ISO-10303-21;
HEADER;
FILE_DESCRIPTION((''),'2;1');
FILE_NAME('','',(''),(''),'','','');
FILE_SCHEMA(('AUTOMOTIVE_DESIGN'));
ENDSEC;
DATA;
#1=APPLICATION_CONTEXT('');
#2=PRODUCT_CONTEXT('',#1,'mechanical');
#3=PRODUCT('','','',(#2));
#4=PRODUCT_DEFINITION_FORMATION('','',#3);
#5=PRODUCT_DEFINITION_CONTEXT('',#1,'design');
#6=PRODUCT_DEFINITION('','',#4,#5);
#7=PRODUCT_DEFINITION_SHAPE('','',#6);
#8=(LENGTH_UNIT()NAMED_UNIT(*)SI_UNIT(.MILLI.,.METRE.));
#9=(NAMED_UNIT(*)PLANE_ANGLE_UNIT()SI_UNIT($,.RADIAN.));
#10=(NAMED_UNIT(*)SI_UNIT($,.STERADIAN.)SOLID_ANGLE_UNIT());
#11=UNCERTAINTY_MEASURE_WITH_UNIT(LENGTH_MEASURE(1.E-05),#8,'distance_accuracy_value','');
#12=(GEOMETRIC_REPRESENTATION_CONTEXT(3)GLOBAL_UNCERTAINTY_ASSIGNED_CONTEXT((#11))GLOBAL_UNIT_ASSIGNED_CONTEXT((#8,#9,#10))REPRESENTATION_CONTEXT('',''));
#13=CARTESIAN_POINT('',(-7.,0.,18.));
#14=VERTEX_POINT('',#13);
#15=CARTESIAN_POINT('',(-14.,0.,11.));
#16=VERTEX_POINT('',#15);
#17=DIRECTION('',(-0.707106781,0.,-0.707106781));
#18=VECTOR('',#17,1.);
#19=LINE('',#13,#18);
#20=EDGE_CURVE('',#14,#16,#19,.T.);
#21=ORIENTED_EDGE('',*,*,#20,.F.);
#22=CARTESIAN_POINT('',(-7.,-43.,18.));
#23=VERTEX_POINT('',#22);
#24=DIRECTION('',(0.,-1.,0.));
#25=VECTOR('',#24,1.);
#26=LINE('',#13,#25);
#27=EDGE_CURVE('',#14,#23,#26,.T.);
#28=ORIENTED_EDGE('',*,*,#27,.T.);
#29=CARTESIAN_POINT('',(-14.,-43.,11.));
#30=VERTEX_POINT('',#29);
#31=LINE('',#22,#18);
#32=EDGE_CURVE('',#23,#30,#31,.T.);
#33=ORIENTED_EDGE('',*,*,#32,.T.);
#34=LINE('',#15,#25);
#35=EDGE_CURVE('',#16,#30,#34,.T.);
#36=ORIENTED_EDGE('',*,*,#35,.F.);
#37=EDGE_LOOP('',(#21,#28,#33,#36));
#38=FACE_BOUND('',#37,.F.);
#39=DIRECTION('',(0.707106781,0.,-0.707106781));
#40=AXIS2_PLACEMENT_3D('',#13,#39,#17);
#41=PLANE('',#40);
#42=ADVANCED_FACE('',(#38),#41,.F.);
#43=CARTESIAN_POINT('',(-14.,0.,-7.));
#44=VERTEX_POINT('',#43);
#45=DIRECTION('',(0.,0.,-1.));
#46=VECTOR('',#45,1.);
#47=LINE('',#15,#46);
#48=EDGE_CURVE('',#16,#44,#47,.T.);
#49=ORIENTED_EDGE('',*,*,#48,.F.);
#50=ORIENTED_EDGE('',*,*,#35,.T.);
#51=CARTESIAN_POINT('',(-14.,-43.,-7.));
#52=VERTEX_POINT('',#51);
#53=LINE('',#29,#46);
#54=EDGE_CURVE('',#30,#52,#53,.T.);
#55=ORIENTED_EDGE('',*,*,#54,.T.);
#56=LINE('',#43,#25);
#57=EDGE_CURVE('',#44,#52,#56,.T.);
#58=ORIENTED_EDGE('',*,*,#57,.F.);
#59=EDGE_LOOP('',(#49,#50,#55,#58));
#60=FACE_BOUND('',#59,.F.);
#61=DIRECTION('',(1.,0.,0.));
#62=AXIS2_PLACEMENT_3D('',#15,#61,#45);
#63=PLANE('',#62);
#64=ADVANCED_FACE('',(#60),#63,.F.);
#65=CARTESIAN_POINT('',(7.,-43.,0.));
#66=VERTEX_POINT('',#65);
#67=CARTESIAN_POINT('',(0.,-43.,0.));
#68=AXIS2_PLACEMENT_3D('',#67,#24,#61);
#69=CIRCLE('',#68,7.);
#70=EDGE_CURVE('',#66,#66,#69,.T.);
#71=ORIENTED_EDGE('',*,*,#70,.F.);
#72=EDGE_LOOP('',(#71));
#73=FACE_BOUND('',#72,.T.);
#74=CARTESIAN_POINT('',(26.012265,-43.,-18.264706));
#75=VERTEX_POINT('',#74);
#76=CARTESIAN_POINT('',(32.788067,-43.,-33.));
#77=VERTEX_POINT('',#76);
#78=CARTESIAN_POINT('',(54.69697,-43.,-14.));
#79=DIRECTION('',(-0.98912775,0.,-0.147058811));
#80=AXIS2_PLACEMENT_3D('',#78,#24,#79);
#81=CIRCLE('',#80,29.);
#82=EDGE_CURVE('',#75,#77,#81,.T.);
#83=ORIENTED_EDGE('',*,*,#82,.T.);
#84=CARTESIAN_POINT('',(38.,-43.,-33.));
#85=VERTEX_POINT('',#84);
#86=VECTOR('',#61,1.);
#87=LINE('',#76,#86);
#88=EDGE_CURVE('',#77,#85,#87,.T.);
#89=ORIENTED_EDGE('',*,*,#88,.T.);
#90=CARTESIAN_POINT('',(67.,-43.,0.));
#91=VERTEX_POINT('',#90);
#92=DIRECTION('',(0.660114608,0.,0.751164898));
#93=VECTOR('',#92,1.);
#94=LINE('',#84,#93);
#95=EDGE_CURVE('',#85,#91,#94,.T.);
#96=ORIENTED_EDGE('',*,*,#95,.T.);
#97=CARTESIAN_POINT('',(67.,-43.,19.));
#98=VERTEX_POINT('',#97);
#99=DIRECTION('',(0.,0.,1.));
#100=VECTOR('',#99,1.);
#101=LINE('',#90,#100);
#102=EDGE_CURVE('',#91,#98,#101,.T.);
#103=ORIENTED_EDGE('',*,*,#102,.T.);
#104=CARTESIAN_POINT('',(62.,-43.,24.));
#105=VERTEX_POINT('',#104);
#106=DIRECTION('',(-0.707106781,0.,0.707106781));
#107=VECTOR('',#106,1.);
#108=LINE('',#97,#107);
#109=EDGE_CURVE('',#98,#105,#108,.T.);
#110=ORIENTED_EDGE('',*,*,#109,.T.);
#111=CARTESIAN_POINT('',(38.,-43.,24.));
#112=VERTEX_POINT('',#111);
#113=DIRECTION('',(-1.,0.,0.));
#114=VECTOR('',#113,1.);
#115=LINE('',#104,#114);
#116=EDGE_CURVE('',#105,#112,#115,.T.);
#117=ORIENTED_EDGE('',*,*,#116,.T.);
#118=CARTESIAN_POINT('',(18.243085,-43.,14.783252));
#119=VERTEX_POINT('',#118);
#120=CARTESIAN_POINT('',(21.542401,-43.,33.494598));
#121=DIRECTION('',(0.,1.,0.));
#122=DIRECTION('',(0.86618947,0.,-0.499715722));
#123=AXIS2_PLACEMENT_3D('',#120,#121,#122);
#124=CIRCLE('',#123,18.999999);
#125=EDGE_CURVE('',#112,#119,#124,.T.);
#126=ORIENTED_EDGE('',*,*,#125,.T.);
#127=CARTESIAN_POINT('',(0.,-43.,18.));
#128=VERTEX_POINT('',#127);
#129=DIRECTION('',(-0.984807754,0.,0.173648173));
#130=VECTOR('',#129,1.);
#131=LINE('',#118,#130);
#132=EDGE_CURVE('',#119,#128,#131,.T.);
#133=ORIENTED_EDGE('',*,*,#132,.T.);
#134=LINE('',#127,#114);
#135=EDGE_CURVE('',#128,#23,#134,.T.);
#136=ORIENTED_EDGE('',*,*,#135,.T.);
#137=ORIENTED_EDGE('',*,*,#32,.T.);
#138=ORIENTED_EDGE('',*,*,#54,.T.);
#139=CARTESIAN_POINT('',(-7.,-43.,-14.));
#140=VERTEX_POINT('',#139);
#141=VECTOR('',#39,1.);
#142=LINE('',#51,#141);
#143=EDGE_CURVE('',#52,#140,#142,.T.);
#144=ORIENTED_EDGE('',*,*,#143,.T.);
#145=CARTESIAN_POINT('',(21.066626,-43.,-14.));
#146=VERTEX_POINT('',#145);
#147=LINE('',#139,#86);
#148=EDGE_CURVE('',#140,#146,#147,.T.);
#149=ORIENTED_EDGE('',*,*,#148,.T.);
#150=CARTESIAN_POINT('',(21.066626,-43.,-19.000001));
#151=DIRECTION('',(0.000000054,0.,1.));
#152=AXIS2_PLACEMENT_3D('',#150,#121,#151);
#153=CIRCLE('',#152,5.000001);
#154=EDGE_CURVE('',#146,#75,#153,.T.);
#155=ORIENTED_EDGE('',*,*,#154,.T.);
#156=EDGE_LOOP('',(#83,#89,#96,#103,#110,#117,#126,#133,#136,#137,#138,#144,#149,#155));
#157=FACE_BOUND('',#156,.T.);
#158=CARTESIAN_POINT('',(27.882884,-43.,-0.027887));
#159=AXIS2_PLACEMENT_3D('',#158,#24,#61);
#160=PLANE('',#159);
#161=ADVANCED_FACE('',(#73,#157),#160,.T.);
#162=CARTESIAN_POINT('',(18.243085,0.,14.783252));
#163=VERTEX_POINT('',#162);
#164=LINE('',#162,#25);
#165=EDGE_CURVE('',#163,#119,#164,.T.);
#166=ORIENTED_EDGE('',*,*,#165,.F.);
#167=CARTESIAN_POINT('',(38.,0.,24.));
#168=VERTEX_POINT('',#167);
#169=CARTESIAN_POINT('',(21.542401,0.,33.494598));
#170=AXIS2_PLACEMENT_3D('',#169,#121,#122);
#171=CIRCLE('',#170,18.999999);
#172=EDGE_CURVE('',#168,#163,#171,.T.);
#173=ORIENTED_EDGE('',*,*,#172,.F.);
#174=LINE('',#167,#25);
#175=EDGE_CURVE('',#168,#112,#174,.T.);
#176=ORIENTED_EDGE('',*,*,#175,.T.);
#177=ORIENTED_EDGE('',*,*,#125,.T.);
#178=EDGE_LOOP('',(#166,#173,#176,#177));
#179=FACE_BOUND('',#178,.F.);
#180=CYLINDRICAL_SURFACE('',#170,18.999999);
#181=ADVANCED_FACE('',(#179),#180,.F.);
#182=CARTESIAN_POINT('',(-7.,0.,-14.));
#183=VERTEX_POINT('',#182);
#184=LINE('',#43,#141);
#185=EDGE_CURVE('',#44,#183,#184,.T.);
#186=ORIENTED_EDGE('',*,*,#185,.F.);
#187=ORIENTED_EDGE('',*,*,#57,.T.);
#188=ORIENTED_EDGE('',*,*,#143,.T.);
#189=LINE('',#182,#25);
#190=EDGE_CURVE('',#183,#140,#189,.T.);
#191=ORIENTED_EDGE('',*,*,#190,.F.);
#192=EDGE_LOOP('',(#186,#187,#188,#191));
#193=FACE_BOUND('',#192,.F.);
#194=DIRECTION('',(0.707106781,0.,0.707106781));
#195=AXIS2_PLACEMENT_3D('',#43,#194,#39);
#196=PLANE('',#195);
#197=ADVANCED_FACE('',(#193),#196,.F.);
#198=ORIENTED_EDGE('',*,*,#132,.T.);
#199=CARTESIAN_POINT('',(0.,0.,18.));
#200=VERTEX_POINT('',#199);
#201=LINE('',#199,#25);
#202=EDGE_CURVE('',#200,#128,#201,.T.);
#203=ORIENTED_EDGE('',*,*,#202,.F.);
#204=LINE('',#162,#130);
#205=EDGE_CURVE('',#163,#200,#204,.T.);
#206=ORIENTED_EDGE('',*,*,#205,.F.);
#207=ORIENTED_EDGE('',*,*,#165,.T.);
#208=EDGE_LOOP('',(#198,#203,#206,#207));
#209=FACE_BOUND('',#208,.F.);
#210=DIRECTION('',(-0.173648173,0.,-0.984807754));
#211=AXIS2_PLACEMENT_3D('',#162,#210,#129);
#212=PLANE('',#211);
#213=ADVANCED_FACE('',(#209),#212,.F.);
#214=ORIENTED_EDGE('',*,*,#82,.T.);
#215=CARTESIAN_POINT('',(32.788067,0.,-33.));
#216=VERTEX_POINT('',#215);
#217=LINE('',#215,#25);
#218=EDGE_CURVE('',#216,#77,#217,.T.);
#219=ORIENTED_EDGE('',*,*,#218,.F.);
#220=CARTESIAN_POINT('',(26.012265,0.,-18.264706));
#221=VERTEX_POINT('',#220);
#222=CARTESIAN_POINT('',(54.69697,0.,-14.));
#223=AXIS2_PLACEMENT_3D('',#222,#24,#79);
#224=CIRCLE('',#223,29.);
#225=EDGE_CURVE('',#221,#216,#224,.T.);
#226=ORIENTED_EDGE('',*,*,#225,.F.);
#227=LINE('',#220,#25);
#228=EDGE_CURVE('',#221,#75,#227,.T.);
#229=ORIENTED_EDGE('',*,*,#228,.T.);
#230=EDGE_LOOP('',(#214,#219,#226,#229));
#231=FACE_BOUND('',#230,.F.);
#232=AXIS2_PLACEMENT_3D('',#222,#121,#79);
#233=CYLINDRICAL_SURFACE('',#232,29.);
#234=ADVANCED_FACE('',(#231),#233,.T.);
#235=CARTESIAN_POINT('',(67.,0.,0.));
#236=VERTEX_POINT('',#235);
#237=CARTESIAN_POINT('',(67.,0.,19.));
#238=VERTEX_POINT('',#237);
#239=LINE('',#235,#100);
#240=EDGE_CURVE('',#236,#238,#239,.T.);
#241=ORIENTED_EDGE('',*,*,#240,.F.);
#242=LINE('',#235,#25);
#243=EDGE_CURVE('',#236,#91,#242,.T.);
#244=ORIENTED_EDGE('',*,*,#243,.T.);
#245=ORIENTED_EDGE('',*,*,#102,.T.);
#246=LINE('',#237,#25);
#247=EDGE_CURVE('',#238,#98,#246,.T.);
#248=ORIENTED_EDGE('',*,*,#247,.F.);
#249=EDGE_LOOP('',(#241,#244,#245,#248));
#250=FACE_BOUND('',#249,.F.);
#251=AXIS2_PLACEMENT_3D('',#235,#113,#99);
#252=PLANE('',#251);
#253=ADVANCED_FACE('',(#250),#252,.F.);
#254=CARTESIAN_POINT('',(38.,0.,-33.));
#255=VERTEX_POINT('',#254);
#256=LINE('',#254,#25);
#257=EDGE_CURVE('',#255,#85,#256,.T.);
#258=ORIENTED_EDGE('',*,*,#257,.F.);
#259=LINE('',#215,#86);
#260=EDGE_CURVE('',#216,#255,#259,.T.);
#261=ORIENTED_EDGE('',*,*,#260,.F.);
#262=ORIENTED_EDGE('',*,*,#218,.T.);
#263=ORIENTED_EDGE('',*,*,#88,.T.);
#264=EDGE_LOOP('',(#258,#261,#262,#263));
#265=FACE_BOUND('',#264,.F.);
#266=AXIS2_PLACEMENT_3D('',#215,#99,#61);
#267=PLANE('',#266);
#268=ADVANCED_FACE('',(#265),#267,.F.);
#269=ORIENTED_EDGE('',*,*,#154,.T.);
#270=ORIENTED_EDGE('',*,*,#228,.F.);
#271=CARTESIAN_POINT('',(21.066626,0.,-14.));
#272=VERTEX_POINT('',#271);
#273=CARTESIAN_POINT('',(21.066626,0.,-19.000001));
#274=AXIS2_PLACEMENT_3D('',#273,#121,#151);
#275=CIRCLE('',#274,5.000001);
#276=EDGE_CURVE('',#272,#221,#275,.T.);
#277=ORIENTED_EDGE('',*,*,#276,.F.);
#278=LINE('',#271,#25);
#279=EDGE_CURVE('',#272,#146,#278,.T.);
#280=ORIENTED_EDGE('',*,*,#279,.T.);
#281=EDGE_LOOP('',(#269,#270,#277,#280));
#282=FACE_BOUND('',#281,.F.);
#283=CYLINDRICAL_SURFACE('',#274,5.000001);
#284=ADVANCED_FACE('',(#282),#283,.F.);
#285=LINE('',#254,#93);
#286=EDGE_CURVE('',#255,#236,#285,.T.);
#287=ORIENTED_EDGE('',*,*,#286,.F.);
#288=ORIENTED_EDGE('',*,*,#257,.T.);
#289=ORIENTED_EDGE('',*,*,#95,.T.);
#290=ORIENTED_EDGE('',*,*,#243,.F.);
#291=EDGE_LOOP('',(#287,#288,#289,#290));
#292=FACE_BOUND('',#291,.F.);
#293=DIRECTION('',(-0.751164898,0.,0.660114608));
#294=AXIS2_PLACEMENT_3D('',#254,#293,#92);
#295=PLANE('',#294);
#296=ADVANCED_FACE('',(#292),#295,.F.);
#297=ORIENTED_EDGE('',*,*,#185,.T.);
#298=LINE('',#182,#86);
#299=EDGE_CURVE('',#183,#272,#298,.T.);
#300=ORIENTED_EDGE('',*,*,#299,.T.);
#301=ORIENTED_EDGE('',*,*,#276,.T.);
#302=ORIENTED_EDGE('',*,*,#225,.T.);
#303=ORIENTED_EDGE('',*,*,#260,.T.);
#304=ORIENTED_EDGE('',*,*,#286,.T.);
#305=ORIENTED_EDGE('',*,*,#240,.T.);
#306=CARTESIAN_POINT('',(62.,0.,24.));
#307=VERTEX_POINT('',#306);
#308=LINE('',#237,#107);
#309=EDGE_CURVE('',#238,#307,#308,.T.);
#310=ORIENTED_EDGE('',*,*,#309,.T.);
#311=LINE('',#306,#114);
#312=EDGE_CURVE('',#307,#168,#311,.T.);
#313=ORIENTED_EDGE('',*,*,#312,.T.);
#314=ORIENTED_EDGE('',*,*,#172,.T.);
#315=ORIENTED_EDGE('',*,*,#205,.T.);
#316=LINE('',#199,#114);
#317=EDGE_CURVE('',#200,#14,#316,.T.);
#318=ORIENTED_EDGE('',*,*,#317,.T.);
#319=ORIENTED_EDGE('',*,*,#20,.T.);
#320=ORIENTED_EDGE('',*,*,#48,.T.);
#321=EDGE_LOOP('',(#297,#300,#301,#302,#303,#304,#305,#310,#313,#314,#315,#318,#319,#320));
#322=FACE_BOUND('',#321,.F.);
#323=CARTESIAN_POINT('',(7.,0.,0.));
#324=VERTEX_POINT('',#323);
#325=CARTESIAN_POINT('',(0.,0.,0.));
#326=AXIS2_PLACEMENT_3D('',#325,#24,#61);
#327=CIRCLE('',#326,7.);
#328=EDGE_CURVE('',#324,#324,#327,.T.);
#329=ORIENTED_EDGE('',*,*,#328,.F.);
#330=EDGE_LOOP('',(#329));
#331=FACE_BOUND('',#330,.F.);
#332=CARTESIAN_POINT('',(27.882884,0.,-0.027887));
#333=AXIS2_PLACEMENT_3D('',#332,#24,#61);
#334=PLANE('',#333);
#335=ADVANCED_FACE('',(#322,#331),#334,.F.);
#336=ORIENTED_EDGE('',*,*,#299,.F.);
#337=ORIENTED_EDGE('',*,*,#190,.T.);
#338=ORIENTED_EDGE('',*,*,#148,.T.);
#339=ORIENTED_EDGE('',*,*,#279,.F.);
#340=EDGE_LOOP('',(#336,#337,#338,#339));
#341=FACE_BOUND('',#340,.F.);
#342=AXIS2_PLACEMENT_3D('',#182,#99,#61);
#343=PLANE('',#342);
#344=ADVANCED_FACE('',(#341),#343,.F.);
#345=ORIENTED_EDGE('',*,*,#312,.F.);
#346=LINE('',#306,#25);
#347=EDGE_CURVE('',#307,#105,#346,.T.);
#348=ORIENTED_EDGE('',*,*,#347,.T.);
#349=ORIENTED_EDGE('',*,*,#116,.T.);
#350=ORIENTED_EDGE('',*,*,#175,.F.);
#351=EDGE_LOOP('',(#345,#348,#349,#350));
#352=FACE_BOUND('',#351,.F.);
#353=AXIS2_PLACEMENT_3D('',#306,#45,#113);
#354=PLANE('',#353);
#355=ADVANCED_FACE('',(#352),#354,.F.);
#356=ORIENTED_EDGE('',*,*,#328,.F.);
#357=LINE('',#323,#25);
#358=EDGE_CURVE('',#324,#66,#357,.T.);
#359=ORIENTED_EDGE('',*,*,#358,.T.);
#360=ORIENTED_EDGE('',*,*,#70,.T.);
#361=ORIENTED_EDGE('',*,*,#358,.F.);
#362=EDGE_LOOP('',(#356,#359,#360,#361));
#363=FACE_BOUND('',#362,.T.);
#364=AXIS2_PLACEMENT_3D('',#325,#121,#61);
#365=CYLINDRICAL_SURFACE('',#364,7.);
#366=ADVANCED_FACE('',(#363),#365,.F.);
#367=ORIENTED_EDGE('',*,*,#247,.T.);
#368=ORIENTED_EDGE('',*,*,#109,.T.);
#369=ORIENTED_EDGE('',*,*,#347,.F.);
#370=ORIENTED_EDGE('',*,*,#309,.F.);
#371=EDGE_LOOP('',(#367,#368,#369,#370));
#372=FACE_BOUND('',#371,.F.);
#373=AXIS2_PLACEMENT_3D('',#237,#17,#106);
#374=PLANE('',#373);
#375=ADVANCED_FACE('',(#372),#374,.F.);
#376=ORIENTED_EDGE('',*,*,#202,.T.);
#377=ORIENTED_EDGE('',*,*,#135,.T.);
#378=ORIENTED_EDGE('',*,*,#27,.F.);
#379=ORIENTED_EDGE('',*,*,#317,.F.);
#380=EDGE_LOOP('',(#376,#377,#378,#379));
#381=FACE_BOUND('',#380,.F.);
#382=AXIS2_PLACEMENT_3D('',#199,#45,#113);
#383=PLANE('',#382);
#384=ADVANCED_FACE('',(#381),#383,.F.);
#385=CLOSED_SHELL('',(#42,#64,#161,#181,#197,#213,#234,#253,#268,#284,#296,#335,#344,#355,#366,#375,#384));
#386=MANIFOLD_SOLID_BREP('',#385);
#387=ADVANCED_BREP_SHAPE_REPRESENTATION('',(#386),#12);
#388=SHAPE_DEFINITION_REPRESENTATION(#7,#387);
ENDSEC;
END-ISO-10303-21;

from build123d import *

# Parameters (mm, degrees)
F0_R     = 7
F1_DEPTH = 43


with BuildPart() as f1:
    # F0 (on Front) → F1 (new body)
    with BuildSketch(Plane.XZ):
        with BuildLine():
            Line((-14, -7), (-7, -14))
            Line((-7, -14), (21.066626, -14))
            ThreePointArc((21.066626, -14), (24.331862, -15.213414), (26.012265, -18.264706))
            ThreePointArc((26.012265, -18.264706), (28.349095, -26.115672), (32.788067, -33))
            Line((32.788067, -33), (38, -33))
            Line((38, -33), (67, 0))
            Line((67, 0), (67, 19))
            Line((67, 19), (62, 24))
            Line((62, 24), (38, 24))
            ThreePointArc((38, 24), (29.574973, 16.276069), (18.243085, 14.783252))
            Line((18.243085, 14.783252), (0, 18))
            Line((0, 18), (-7, 18))
            Line((-7, 18), (-14, 11))
            Line((-14, 11), (-14, -7))
        make_face()
        Circle(F0_R, mode=Mode.SUBTRACT)
    extrude(amount=F1_DEPTH)


solid = f1.part
